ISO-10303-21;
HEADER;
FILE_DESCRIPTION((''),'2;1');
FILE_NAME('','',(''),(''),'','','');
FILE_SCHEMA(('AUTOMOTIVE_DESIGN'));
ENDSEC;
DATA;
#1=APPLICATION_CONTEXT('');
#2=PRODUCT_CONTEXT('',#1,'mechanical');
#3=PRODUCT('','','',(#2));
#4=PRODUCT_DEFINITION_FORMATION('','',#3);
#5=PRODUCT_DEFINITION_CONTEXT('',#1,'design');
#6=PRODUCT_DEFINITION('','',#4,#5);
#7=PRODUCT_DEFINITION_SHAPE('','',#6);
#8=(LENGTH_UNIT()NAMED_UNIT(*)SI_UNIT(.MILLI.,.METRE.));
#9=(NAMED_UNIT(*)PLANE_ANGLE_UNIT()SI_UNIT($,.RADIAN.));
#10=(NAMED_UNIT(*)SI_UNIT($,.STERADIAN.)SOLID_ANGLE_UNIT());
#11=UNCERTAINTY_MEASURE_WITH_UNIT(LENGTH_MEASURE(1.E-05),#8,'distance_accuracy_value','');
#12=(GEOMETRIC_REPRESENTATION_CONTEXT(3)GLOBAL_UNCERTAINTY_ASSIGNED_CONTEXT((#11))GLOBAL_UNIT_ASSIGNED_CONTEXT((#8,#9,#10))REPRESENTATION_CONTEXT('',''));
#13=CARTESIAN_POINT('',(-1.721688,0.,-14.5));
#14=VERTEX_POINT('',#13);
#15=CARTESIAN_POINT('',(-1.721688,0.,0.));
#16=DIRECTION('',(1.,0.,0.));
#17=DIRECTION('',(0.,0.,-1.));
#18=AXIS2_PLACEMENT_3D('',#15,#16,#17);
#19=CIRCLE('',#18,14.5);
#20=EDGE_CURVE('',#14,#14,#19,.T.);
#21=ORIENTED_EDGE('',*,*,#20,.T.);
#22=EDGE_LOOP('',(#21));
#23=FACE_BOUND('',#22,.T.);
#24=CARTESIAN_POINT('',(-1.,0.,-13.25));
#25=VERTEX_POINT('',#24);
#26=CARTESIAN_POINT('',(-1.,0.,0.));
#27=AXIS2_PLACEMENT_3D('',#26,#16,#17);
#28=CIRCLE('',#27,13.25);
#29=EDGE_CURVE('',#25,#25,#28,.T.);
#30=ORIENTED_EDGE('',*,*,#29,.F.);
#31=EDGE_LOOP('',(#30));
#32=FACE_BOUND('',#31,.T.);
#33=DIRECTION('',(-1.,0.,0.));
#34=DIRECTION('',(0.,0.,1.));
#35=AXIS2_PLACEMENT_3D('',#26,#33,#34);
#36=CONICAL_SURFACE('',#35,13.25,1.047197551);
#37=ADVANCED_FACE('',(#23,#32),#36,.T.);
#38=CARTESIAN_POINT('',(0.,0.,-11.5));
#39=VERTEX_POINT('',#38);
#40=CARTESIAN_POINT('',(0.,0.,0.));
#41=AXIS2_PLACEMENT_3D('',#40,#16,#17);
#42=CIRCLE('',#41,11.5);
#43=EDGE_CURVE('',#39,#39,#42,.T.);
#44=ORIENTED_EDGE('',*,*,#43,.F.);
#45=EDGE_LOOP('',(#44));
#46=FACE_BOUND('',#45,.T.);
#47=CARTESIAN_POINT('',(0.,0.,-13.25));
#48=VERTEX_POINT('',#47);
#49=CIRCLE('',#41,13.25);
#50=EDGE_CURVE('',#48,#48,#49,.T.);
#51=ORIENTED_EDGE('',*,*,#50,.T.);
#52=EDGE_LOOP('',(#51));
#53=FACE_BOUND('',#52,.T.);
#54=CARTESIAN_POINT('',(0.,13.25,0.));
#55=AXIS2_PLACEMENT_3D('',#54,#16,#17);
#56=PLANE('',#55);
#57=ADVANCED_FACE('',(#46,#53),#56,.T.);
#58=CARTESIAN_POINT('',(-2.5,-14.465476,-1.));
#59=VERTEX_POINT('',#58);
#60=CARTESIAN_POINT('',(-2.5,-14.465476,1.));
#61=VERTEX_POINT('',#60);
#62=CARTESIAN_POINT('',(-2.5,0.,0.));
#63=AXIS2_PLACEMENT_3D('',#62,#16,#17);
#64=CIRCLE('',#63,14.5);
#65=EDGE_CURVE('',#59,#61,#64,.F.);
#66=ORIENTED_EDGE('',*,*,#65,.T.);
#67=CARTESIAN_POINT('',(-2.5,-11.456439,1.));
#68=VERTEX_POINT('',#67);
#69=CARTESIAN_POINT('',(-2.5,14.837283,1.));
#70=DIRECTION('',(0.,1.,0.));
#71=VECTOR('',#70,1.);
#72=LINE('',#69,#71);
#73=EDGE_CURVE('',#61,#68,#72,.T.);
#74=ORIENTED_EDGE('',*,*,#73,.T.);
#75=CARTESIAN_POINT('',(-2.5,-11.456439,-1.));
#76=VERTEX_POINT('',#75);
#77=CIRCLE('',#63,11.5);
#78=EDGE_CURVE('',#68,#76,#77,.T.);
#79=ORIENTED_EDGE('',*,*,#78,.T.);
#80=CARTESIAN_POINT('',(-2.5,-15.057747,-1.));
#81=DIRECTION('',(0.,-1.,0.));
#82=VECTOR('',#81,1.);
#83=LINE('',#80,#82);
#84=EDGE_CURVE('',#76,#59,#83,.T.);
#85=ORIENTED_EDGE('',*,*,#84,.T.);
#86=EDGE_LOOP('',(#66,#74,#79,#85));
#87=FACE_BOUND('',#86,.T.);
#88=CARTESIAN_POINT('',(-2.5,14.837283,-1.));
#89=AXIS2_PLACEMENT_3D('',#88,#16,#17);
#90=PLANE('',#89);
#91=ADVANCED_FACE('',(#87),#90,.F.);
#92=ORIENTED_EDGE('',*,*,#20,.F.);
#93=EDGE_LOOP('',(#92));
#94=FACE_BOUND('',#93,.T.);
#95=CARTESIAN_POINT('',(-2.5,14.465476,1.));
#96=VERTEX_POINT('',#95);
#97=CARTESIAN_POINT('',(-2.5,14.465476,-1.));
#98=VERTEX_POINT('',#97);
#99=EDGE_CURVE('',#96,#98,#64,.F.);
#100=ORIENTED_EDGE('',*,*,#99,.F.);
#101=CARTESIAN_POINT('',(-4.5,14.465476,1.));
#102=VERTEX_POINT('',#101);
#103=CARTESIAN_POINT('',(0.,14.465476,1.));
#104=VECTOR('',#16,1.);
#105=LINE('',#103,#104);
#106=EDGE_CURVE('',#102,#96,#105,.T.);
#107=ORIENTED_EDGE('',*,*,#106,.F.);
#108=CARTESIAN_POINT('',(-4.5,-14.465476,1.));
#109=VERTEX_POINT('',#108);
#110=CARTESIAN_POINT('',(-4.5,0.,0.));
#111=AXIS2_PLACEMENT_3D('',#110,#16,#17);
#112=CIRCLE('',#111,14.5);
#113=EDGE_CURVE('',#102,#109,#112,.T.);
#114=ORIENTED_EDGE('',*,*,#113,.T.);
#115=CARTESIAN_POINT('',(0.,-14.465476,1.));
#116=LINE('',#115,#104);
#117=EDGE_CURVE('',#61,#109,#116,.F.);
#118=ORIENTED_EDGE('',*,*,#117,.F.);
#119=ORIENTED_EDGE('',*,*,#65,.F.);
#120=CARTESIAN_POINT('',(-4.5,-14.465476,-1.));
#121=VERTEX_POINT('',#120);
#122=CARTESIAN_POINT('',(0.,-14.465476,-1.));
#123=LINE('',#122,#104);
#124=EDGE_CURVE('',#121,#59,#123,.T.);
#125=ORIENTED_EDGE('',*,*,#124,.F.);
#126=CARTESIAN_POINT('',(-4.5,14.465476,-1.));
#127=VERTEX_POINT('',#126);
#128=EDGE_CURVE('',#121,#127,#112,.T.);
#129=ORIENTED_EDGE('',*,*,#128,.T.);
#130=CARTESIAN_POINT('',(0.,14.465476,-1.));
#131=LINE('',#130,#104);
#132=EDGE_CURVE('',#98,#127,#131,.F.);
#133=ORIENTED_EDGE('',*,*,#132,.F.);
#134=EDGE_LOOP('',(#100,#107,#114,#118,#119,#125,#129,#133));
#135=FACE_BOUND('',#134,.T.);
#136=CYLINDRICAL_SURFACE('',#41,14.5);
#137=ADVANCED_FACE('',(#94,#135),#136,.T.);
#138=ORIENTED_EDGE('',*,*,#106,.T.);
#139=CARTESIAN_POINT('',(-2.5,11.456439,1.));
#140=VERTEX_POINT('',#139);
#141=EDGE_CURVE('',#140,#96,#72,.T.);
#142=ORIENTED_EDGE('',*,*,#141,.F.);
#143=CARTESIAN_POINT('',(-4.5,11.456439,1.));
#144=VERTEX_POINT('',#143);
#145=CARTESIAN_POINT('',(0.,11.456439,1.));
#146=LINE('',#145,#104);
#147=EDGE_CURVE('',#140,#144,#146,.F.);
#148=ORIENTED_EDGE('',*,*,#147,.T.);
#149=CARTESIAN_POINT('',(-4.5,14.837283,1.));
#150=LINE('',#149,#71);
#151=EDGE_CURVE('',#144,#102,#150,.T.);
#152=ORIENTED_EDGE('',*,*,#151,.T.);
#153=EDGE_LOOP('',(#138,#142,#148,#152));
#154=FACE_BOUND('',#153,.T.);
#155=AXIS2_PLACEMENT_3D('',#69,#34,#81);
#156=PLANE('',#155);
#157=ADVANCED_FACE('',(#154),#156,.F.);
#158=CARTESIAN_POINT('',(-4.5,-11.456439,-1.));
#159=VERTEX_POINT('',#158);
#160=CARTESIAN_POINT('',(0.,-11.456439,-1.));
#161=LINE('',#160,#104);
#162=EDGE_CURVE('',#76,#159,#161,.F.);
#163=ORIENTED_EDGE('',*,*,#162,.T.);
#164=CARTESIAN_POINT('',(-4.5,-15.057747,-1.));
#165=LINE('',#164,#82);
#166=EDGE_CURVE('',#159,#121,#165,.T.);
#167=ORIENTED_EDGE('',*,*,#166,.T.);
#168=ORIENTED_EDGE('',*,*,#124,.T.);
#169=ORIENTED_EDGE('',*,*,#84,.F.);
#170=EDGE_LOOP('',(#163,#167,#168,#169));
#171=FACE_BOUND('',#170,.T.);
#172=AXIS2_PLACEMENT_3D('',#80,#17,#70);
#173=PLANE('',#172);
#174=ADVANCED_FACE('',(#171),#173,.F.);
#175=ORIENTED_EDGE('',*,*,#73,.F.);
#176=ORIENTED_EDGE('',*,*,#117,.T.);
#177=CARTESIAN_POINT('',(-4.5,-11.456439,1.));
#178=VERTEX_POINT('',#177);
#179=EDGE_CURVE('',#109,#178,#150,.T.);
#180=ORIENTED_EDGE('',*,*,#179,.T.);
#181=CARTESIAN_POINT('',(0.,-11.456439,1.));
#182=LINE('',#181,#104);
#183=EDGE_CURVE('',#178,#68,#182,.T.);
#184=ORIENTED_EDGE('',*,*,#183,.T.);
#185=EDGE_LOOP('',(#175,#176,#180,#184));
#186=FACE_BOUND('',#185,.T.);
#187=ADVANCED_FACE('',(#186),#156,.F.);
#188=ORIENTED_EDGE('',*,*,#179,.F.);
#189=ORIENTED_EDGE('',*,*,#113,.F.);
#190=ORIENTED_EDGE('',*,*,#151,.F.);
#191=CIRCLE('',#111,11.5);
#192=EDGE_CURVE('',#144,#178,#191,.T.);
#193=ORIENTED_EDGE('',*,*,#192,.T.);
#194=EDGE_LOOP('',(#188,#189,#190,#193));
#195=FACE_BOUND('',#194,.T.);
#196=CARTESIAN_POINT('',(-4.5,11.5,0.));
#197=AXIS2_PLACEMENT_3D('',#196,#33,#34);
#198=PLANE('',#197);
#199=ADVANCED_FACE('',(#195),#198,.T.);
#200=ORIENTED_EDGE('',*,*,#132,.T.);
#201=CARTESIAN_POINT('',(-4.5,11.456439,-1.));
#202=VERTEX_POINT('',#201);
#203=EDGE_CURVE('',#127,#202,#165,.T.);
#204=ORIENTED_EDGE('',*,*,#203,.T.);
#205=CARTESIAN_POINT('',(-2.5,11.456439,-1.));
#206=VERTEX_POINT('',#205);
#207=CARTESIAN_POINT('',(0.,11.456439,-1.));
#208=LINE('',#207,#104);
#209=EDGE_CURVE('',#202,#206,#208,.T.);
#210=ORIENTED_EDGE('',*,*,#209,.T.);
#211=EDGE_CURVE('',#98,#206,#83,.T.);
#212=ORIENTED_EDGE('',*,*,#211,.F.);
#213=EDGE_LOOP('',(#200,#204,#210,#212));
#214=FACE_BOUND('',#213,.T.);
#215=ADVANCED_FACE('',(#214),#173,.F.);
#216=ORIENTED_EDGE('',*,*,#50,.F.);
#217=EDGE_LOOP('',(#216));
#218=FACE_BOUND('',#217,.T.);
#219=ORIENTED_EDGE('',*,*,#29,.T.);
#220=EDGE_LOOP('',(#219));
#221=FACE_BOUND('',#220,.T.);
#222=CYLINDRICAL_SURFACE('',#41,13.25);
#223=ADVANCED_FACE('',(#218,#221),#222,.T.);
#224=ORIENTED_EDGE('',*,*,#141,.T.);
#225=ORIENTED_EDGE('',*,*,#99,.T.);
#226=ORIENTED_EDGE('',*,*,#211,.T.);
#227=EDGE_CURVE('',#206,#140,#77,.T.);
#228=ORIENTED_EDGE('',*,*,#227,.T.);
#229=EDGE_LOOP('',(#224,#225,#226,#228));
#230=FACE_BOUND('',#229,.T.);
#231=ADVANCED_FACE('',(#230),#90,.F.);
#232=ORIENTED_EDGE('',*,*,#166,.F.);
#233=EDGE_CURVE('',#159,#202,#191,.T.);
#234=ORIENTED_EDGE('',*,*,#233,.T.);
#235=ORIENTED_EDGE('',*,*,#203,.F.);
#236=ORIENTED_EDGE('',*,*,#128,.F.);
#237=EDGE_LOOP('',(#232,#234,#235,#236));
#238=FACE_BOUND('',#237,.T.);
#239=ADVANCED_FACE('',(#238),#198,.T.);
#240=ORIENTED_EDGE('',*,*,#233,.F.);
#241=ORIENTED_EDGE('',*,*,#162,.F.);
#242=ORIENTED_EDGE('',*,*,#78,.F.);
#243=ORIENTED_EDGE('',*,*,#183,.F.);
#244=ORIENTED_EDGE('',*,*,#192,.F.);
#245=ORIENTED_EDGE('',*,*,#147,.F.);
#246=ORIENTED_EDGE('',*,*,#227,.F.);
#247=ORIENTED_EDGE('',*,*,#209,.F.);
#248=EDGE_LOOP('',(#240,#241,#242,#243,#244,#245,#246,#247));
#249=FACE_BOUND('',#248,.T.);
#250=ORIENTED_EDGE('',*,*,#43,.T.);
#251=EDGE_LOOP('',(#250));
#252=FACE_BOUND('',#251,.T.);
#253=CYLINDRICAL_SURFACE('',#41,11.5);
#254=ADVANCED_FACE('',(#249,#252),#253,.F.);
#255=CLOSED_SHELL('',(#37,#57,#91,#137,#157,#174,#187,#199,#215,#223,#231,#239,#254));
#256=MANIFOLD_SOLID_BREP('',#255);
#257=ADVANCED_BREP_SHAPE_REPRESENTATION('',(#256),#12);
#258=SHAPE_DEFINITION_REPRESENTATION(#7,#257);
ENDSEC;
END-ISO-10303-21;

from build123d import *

# Parameters (mm, degrees)
SKETCH2_W          = 2
SKETCH2_H          = 29.895029915
CUT_EXTRUDE1_DEPTH = 2


with BuildPart() as part:
    # Sketch1 → Base-Revolve (revolve)
    with BuildSketch(Plane.XY):
        Polygon((0, 11.5), (-4.5, 11.5), (-4.5, 14.5), (-1.721687836, 14.5), (-1, 13.25), (0, 13.25), align=None)
    revolve(axis=Axis((0, 0, 0), (-1, 0, 0)))

    # Sketch2 → Cut-Extrude1 (cut)
    with BuildSketch(Plane.ZY.offset(4.5)):
        with Locations((0, -0.110232412)):
            Rectangle(SKETCH2_W, SKETCH2_H)
    extrude(amount=-CUT_EXTRUDE1_DEPTH, mode=Mode.SUBTRACT)


solid = part.part
